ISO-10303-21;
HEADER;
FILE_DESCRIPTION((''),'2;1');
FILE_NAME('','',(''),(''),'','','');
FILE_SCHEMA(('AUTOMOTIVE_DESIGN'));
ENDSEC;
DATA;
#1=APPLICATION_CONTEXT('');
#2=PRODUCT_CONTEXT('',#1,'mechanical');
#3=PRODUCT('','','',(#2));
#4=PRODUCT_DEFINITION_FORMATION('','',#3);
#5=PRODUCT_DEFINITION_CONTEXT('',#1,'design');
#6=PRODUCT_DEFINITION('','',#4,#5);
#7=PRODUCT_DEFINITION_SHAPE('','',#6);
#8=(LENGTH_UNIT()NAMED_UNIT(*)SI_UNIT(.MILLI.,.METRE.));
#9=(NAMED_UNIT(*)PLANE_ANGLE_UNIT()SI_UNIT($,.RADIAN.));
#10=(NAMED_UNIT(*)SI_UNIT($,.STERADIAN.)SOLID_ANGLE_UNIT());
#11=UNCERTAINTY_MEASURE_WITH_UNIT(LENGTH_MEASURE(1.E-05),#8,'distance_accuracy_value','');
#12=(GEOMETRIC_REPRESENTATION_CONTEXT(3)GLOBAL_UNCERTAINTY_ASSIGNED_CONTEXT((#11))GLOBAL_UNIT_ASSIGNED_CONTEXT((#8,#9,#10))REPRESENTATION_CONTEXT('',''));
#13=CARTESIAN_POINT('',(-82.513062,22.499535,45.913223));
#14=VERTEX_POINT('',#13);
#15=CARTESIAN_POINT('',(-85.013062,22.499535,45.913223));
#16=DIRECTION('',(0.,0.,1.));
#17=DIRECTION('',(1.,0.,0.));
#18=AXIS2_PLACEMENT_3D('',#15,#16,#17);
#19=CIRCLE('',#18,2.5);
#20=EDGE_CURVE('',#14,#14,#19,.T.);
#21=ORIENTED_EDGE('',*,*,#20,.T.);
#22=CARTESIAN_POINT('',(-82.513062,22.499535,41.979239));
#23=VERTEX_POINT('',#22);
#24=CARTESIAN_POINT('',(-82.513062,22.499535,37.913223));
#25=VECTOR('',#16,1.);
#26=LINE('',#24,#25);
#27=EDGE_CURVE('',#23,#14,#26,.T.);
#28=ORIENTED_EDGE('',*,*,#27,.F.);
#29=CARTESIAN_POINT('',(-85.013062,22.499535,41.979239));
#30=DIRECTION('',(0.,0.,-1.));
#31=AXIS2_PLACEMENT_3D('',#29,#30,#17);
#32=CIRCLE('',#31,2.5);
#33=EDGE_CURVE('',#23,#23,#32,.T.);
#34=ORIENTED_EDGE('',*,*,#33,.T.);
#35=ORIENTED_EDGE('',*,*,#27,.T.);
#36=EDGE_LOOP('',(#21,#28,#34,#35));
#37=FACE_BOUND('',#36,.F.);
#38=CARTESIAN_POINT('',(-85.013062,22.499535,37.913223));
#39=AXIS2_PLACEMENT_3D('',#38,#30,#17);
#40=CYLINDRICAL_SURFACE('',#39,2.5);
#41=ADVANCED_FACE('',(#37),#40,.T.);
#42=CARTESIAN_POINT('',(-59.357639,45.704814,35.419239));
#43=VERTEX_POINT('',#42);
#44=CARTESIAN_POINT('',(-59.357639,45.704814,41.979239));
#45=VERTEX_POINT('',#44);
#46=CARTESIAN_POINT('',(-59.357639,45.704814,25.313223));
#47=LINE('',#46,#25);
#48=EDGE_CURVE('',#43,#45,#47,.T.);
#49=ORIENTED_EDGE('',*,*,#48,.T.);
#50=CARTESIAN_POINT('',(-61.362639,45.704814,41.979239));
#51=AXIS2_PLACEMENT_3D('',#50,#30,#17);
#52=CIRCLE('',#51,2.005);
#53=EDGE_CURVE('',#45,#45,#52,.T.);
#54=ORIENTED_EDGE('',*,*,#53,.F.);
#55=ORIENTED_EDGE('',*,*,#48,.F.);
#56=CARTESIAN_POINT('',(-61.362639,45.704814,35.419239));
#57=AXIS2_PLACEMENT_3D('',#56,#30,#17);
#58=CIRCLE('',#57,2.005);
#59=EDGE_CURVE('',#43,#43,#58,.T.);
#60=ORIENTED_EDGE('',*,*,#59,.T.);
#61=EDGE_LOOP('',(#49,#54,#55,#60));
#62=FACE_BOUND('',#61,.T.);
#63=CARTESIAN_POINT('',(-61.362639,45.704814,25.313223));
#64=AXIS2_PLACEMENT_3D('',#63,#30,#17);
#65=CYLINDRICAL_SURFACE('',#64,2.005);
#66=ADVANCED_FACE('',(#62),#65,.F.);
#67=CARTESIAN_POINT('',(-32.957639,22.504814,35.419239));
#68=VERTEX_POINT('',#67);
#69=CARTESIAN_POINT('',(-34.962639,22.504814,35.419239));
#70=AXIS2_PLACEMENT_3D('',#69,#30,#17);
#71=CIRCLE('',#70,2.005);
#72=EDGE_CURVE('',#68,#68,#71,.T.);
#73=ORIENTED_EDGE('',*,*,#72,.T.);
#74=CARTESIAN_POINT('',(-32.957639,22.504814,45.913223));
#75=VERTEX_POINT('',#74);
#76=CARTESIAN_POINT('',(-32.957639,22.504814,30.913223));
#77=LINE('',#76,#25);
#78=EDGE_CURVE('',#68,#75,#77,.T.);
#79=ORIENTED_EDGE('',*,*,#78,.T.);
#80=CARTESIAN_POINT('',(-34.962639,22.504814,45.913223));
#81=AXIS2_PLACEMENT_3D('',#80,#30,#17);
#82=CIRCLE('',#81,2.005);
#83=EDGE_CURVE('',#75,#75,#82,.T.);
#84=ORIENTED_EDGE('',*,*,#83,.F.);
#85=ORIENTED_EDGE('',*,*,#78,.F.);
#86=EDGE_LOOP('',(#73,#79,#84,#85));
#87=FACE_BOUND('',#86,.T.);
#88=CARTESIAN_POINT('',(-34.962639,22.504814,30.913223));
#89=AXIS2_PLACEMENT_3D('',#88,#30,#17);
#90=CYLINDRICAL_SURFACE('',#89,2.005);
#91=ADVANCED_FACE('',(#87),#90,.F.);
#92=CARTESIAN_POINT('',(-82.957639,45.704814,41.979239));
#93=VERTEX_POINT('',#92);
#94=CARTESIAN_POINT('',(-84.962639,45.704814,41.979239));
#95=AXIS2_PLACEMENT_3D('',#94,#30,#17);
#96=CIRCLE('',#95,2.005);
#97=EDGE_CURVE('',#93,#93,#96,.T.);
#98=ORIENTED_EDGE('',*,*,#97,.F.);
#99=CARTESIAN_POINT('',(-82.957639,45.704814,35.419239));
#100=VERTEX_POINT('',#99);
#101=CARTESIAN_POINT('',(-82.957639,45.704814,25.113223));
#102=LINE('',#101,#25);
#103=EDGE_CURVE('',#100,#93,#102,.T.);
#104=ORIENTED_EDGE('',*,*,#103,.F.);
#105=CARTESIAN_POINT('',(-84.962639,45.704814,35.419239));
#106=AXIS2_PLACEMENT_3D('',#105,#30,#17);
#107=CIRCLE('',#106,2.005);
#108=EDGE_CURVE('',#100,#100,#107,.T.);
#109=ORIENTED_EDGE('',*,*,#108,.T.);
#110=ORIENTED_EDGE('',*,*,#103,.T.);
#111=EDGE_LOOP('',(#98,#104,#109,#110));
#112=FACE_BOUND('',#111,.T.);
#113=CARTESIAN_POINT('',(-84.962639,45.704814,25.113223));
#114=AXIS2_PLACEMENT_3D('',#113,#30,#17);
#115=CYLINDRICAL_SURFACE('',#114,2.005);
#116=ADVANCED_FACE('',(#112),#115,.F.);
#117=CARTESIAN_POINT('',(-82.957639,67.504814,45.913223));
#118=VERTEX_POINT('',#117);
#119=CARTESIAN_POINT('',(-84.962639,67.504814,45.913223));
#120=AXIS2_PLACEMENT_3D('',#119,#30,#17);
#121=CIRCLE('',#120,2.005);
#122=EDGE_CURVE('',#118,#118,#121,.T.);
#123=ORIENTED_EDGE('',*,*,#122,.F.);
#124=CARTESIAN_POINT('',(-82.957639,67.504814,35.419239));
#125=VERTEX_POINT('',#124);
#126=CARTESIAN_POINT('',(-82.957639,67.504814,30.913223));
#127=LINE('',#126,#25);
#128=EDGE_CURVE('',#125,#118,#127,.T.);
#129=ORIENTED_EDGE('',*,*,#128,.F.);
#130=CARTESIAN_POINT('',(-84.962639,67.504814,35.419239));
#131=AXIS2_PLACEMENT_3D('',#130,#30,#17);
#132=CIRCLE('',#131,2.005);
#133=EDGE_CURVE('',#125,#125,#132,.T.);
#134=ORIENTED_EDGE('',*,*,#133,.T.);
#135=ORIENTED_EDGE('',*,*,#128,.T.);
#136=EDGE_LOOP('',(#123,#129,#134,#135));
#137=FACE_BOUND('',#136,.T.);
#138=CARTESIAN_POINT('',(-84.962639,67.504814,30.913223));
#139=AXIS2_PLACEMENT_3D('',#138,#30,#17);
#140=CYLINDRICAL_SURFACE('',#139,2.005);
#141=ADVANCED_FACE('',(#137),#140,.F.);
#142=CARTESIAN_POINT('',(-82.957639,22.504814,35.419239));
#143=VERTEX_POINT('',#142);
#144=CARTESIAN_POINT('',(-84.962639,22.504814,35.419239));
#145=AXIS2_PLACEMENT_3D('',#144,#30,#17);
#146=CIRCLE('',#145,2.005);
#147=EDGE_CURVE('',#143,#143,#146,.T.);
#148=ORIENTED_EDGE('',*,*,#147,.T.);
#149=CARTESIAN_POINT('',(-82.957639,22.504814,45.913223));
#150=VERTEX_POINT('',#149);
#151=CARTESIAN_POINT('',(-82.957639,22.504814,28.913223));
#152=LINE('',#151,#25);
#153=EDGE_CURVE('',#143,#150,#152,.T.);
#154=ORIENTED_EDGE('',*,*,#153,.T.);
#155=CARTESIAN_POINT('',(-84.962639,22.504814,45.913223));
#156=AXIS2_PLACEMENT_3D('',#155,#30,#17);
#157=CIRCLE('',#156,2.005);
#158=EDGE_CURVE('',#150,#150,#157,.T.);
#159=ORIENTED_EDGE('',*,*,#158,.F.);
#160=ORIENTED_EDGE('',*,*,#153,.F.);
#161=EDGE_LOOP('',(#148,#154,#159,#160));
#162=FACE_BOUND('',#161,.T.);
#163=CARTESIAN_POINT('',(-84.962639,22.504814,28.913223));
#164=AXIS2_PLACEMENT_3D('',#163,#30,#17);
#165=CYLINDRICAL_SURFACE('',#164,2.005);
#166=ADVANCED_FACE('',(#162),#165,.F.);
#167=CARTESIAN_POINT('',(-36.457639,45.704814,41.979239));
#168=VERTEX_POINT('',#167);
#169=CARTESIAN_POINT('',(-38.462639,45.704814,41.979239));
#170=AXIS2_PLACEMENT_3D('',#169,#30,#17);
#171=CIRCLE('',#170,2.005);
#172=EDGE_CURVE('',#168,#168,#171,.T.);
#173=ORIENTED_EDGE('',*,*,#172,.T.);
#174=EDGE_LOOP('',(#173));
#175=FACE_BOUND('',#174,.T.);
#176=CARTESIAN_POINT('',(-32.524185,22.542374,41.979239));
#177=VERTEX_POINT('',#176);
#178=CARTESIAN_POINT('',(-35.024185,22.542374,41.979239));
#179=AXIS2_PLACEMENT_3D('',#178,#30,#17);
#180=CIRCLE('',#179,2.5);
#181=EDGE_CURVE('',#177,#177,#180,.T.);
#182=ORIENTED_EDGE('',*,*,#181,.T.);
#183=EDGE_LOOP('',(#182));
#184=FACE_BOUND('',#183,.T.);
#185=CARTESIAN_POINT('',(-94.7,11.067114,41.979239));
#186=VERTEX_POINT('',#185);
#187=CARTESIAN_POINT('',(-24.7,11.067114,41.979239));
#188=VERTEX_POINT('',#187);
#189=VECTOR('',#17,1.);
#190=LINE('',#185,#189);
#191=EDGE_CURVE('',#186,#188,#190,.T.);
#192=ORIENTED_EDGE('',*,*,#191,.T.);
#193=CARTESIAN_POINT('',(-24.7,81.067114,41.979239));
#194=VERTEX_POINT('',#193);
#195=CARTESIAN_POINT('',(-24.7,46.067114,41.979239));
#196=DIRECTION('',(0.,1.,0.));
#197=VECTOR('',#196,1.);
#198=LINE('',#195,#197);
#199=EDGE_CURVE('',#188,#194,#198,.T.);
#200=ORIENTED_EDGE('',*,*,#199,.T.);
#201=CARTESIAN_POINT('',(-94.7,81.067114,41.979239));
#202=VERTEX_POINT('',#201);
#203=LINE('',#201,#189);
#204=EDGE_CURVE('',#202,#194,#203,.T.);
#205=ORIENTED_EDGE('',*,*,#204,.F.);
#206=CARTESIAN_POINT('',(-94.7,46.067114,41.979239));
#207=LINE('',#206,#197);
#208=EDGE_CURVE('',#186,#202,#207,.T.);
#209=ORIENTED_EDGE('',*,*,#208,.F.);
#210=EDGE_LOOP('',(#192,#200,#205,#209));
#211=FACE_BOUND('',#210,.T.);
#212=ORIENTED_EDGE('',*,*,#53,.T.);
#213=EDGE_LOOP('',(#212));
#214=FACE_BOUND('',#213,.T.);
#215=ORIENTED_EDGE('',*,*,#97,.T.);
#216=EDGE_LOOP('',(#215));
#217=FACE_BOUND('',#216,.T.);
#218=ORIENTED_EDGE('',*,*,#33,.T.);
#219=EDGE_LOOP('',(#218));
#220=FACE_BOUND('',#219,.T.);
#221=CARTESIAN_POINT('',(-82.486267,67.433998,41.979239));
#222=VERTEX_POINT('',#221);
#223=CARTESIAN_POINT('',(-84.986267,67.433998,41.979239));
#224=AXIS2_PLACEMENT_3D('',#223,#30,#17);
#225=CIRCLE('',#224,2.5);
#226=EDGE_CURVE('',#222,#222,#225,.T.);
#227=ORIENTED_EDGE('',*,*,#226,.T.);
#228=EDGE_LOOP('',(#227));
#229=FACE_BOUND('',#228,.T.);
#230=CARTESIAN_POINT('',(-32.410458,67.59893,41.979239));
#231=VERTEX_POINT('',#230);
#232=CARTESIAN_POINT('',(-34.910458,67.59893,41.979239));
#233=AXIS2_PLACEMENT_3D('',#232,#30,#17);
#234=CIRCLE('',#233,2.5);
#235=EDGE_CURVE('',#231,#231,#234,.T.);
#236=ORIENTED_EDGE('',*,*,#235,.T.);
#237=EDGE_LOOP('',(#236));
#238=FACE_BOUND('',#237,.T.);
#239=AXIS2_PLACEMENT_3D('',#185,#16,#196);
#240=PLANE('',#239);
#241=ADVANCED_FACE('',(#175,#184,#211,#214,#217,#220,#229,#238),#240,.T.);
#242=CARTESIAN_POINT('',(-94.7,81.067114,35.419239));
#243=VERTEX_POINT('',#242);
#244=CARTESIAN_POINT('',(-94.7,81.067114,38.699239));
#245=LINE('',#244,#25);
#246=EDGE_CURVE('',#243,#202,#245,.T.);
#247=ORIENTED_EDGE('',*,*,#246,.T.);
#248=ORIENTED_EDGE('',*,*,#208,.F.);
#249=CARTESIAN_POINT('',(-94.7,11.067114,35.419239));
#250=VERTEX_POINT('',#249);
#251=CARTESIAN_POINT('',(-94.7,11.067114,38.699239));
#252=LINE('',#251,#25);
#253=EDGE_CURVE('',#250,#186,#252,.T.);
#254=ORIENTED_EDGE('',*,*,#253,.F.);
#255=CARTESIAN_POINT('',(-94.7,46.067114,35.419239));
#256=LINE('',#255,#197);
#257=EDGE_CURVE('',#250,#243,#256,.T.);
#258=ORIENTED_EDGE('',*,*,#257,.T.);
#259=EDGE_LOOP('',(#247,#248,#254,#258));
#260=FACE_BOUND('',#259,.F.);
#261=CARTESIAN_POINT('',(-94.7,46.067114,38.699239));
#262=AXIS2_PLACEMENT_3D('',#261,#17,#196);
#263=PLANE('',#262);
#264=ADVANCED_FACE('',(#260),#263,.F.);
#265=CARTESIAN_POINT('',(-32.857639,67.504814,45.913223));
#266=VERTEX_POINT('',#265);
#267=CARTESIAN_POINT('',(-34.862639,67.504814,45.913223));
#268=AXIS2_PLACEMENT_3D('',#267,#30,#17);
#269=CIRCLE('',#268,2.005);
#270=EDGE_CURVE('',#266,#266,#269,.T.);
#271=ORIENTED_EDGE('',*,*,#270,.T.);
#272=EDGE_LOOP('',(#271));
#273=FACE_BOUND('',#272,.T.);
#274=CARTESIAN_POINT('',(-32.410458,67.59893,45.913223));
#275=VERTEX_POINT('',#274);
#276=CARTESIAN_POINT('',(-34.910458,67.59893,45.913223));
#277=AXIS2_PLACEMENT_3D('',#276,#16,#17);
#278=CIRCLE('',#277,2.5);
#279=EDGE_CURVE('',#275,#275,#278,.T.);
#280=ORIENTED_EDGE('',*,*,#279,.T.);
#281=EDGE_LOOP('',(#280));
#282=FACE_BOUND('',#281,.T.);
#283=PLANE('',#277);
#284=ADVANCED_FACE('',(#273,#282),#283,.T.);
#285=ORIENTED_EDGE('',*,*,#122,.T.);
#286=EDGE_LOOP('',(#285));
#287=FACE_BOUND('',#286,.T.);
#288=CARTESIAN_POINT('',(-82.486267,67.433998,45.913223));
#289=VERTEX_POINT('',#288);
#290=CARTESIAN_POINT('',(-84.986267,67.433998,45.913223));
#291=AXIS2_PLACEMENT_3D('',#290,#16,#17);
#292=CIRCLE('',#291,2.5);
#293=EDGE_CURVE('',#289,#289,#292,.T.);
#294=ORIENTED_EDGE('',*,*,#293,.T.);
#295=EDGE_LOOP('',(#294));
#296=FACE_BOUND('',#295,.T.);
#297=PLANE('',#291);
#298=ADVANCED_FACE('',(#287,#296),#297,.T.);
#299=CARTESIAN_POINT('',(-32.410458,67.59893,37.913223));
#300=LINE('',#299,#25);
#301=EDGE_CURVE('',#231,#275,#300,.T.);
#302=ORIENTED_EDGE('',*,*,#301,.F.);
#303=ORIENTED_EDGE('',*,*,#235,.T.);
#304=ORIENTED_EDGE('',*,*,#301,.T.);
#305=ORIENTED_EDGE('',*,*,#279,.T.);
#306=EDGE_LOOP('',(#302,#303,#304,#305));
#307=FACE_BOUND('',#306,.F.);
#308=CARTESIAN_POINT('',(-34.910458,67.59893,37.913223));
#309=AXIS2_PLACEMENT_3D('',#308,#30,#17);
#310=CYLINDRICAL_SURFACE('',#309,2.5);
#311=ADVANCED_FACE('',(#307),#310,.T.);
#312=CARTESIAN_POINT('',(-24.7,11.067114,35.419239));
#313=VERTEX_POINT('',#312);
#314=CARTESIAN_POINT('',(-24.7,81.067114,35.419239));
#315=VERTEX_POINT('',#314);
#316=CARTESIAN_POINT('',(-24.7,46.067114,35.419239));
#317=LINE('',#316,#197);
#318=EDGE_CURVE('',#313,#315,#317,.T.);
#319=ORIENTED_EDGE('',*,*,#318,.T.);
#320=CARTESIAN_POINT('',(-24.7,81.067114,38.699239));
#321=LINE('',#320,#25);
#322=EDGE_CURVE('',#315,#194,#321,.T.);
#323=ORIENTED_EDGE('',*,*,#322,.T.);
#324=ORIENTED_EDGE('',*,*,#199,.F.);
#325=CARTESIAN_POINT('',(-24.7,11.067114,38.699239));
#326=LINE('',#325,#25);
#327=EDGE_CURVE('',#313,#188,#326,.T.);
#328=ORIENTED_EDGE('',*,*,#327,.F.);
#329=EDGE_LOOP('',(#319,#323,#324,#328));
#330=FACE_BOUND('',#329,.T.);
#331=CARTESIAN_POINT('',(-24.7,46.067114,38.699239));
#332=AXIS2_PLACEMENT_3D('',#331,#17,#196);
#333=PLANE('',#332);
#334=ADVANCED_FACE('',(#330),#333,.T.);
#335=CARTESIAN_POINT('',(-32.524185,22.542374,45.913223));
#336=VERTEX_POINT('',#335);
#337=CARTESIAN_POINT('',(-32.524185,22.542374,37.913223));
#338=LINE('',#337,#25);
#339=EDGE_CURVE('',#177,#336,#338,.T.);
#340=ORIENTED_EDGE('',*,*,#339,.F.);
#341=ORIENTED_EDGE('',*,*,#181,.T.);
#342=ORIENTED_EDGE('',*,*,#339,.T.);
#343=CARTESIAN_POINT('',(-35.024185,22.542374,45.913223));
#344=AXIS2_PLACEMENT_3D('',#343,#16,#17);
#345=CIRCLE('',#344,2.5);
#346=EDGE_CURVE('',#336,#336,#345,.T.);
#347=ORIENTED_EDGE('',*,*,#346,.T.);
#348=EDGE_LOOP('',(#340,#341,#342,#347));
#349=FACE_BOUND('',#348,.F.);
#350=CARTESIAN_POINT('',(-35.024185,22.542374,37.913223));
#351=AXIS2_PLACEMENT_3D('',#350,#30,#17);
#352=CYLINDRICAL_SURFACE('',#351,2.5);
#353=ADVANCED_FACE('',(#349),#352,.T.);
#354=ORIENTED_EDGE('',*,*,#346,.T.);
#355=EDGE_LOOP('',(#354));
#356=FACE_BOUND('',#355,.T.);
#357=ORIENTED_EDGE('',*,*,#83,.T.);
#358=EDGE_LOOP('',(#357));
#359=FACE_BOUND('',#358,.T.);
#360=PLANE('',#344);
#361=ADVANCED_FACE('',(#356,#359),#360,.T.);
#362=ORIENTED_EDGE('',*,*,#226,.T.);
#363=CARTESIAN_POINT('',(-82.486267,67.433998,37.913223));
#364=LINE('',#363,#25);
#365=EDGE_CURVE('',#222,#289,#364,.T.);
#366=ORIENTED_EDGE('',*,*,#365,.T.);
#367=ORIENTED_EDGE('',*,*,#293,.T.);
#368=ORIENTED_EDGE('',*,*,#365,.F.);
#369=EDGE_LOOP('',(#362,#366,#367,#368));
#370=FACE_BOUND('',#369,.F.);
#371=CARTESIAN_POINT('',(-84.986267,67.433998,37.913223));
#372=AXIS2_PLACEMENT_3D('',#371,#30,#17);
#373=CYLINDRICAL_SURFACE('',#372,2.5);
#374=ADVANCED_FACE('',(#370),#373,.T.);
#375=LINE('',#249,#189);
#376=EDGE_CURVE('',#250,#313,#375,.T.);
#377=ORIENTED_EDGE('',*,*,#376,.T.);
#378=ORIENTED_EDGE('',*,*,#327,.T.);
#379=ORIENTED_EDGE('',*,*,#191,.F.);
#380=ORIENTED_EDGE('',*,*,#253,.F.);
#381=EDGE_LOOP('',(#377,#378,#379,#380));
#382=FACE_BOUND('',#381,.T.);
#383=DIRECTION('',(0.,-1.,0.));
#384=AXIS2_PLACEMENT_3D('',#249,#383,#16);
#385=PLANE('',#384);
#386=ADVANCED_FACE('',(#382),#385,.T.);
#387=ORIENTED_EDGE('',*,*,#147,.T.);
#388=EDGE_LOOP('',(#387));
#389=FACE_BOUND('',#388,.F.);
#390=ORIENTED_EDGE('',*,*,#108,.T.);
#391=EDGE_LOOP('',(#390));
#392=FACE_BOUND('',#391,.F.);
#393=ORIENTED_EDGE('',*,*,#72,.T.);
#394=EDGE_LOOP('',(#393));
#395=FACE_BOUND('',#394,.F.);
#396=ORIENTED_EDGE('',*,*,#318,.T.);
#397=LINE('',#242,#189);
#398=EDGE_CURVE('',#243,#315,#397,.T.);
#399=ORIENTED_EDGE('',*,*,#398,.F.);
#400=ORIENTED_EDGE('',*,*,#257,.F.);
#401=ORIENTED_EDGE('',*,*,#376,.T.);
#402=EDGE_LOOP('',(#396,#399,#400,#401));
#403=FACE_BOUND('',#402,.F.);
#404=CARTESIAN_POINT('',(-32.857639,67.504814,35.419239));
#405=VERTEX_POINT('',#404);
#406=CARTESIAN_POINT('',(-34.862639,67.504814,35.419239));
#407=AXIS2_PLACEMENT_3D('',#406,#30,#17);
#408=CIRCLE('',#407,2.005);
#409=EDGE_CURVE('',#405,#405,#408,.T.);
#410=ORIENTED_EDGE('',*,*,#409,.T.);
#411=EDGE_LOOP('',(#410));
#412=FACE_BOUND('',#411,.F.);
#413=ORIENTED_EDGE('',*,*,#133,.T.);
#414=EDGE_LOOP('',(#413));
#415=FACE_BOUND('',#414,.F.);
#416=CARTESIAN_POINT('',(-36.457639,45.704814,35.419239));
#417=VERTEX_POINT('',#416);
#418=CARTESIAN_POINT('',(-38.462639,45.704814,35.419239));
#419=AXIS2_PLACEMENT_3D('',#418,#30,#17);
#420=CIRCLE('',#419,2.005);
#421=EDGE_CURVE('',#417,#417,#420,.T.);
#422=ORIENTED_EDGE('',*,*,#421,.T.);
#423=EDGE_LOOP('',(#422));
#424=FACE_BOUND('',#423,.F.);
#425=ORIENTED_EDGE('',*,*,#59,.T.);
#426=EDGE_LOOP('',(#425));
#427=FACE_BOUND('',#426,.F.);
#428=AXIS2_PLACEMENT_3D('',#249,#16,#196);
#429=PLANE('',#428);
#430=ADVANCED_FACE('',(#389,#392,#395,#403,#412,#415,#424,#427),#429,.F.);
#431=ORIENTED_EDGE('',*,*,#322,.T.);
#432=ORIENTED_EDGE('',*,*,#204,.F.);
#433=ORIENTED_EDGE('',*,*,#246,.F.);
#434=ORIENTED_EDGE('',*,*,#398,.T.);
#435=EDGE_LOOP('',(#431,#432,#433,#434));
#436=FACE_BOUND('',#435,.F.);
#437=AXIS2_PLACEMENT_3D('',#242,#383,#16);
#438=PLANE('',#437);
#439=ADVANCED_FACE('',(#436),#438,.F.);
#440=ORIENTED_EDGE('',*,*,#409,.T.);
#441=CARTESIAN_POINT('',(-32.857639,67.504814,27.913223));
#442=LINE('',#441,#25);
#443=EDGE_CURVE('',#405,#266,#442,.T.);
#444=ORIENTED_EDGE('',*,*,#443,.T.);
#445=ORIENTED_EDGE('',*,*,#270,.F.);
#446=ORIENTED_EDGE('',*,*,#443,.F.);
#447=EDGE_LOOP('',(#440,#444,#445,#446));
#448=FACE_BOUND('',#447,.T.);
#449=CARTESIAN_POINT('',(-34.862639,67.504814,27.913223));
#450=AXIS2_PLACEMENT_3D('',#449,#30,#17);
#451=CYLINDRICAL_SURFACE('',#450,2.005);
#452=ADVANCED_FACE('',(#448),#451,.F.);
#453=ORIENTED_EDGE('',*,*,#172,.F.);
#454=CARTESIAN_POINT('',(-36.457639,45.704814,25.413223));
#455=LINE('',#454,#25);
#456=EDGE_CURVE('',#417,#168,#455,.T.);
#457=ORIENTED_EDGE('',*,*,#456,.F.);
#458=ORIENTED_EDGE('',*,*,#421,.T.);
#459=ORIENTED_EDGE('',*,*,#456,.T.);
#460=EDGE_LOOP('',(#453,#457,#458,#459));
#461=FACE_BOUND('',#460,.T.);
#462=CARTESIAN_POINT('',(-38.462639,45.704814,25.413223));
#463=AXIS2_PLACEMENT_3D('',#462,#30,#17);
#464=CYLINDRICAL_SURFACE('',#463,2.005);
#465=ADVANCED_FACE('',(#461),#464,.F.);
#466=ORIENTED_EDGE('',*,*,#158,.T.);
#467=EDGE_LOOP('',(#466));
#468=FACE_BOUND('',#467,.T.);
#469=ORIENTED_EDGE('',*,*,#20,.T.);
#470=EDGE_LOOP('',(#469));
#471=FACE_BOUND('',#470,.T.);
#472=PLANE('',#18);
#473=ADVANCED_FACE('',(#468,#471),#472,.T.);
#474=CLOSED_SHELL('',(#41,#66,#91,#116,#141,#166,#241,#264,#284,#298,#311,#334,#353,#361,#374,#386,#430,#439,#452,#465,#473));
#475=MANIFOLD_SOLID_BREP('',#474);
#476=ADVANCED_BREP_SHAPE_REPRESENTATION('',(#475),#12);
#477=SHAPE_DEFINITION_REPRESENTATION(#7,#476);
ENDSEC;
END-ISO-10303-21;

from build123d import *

# Parameters (mm, degrees)
SKETCH016_R      = 2.005
EXTRUDE074_DEPTH = 20
EXTRUDE073_DEPTH = 20
EXTRUDE072_DEPTH = 20
EXTRUDE071_DEPTH = 20
EXTRUDE070_DEPTH = 20
EXTRUDE069_DEPTH = 20
EXTRUDE068_DEPTH = 20
SKETCH015_R      = 2.5
EXTRUDE067_DEPTH = 8
SKETCH060_W      = 70
SKETCH060_H      = 6.56
EXTRUDE066_DEPTH = 70


with BuildPart() as tornillo015:
    # Sketch016 (on Face16 of Fusion001) → Extrude074 (new body)
    with BuildSketch(Plane.XY.offset(45.913223)):
        with Locations((-84.962639, 67.504814)):
            Circle(SKETCH016_R)
    extrude(amount=EXTRUDE074_DEPTH)


with BuildPart() as tornillo015_1:
    # Extrude074 placement: moved
    add(tornillo015.part.moved(Location((46.5, -21.8, -20.5))))


with BuildPart() as tornillo014:
    # Sketch016 (on Face16 of Fusion001) → Extrude073 (new body)
    with BuildSketch(Plane.XY.offset(45.913223)):
        with Locations((-84.962639, 67.504814)):
            Circle(SKETCH016_R)
    extrude(amount=EXTRUDE073_DEPTH)


with BuildPart() as tornillo014_1:
    # Extrude073 placement: moved
    add(tornillo014.part.moved(Location((23.6, -21.8, -20.6))))


with BuildPart() as tornillo013:
    # Sketch016 (on Face16 of Fusion001) → Extrude072 (new body)
    with BuildSketch(Plane.XY.offset(45.913223)):
        with Locations((-84.962639, 67.504814)):
            Circle(SKETCH016_R)
    extrude(amount=EXTRUDE072_DEPTH)


with BuildPart() as tornillo013_1:
    # Extrude072 placement: moved
    add(tornillo013.part.moved(Location((0, -21.8, -20.8))))


with BuildPart() as tornillo012:
    # Sketch016 (on Face16 of Fusion001) → Extrude071 (new body)
    with BuildSketch(Plane.XY.offset(45.913223)):
        with Locations((-84.962639, 67.504814)):
            Circle(SKETCH016_R)
    extrude(amount=EXTRUDE071_DEPTH)


with BuildPart() as tornillo012_1:
    # Extrude071 placement: moved
    add(tornillo012.part.moved(Location((0, -45, -17))))


with BuildPart() as tornillo011:
    # Sketch016 (on Face16 of Fusion001) → Extrude070 (new body)
    with BuildSketch(Plane.XY.offset(45.913223)):
        with Locations((-84.962639, 67.504814)):
            Circle(SKETCH016_R)
    extrude(amount=EXTRUDE070_DEPTH)


with BuildPart() as tornillo011_1:
    # Extrude070 placement: moved
    add(tornillo011.part.moved(Location((50, -45, -15))))


with BuildPart() as tornillo010:
    # Sketch016 (on Face16 of Fusion001) → Extrude069 (new body)
    with BuildSketch(Plane.XY.offset(45.913223)):
        with Locations((-84.962639, 67.504814)):
            Circle(SKETCH016_R)
    extrude(amount=EXTRUDE069_DEPTH)


with BuildPart() as tornillo010_1:
    # Extrude069 placement: moved
    add(tornillo010.part.moved(Location((0, 0, -15))))


with BuildPart() as tornillo009:
    # Sketch016 (on Face16 of Fusion001) → Extrude068 (new body)
    with BuildSketch(Plane.XY.offset(45.913223)):
        with Locations((-84.962639, 67.504814)):
            Circle(SKETCH016_R)
    extrude(amount=EXTRUDE068_DEPTH)


with BuildPart() as tornillo009_1:
    # Extrude068 placement: moved
    add(tornillo009.part.moved(Location((50.1, 0, -18))))


with BuildPart() as tornillos013:
    # Sketch015 (on Face16 of Fusion) → Extrude067 (new body)
    with BuildSketch(Plane.XY.offset(41.913223)):
        with Locations((-84.986267, 67.433998)):
            Circle(SKETCH015_R)
        with Locations((-85.013062, 22.499535)):
            Circle(SKETCH015_R)
        with Locations((-35.024185, 22.542374)):
            Circle(SKETCH015_R)
        with Locations((-34.910458, 67.59893)):
            Circle(SKETCH015_R)
    extrude(amount=EXTRUDE067_DEPTH)


with BuildPart() as tornillos013_1:
    # Extrude067 placement: moved
    add(tornillos013.part.moved(Location((0, 0, -4))))


with BuildPart() as imprimir001:
    # Sketch060 → Extrude066 (new body)
    with BuildSketch(Plane.YZ):
        with Locations((4.567114, 74.199239)):
            Rectangle(SKETCH060_W, SKETCH060_H)
    extrude(amount=EXTRUDE066_DEPTH)


with BuildPart() as imprimir001_1:
    # Extrude066 placement: moved
    add(imprimir001.part.moved(Location((-94.7, 41.5, -35.5))))

    # Fusion018: union Tornillos013
    add(tornillos013_1.part)

    # Cut036: cut Tornillo009
    add(tornillo009_1.part, mode=Mode.SUBTRACT)

    # Cut037: cut Tornillo010
    add(tornillo010_1.part, mode=Mode.SUBTRACT)

    # Cut038: cut Tornillo011
    add(tornillo011_1.part, mode=Mode.SUBTRACT)

    # Cut039: cut Tornillo012
    add(tornillo012_1.part, mode=Mode.SUBTRACT)

    # Cut040: cut Tornillo013
    add(tornillo013_1.part, mode=Mode.SUBTRACT)

    # Cut041: cut Tornillo014
    add(tornillo014_1.part, mode=Mode.SUBTRACT)

    # Cut042: cut Tornillo015
    add(tornillo015_1.part, mode=Mode.SUBTRACT)


solid = imprimir001_1.part
